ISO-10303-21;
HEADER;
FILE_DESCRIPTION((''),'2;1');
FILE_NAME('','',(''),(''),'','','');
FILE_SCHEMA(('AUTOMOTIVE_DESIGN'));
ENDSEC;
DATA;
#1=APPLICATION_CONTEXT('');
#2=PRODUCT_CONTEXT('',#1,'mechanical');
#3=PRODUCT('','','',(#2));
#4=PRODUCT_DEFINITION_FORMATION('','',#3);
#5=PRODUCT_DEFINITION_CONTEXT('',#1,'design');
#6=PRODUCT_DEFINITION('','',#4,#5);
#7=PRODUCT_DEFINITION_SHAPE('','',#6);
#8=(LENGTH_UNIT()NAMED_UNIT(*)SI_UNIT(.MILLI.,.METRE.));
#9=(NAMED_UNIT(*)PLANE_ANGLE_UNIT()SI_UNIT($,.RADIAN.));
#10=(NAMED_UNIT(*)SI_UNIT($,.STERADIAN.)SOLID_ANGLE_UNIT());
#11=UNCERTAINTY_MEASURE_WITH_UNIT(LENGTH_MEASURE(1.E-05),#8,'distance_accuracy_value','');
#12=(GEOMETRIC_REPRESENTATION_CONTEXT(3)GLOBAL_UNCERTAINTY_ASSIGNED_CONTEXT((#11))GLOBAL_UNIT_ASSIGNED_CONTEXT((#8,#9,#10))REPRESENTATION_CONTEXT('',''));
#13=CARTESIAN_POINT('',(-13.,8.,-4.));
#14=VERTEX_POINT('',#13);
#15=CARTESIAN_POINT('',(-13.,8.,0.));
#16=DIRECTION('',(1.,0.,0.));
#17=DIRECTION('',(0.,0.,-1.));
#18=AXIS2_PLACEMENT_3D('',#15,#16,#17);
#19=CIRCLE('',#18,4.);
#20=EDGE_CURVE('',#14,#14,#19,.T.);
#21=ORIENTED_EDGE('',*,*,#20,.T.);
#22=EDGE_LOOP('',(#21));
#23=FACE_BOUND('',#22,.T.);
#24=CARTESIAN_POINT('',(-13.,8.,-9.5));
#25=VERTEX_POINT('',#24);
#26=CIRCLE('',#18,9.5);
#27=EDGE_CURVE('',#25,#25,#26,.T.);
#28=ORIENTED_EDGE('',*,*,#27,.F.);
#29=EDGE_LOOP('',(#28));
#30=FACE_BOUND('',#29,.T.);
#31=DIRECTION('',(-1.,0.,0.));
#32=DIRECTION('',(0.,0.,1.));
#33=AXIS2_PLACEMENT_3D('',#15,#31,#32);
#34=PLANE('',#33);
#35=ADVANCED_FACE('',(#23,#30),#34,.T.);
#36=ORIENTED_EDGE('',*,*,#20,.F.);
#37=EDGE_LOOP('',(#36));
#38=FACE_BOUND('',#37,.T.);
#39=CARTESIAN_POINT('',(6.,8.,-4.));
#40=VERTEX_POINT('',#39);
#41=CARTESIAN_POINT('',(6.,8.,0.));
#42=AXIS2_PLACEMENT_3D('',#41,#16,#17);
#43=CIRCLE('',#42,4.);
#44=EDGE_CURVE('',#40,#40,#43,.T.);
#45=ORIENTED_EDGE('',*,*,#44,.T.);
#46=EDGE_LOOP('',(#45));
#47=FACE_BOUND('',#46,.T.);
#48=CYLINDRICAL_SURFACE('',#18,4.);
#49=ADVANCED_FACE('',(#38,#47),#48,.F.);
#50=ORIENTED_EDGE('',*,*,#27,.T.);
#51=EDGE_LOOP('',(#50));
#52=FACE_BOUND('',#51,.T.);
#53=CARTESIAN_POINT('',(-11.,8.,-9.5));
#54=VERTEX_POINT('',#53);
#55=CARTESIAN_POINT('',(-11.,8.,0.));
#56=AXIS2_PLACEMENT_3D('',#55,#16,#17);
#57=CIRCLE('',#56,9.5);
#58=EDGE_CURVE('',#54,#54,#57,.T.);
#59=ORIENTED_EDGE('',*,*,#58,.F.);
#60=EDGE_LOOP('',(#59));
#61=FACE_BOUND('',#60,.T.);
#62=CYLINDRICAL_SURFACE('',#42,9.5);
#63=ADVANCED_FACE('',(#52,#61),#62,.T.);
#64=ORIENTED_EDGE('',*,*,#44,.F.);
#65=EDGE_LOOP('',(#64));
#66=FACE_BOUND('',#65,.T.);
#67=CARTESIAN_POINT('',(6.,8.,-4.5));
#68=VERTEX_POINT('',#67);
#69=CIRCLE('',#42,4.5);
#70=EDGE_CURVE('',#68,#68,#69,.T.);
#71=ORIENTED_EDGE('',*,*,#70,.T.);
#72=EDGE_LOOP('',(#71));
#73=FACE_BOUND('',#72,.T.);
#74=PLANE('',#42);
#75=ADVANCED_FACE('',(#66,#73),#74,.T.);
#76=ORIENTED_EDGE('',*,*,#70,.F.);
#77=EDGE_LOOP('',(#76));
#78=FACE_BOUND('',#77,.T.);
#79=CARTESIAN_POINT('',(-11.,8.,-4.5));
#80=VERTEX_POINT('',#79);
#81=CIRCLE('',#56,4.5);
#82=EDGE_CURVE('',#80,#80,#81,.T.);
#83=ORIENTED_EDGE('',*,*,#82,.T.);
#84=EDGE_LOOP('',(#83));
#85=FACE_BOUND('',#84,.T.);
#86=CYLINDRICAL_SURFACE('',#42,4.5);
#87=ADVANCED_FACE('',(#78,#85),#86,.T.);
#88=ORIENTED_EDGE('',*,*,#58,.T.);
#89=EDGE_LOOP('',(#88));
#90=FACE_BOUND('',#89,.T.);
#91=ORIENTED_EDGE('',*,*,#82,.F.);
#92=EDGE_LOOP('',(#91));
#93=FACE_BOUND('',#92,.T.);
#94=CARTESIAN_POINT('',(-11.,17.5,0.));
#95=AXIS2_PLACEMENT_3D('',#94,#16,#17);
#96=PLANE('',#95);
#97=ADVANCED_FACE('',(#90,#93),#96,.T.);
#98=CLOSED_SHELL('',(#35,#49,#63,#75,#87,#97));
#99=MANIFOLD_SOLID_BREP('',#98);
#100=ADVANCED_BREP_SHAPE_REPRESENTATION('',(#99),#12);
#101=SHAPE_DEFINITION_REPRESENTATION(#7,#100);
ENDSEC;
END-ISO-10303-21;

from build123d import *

# Parameters (mm, degrees)
SKETCH5_R          = 4
CUT_EXTRUDE2_DEPTH = 28.522717889


with BuildPart() as part:
    # Sketch3 → Revolve2 (revolve)
    with BuildSketch(Plane.XY, mode=Mode.PRIVATE) as revolve2_sk:
        Polygon((6, 8), (-11, 8), (-13, 8), (-13, 17.5), (-11, 17.5), (-11, 12.5), (6, 12.5), align=None)
    revolve(revolve2_sk.sketch.rotate(Axis((6, 8, 0), (-1, 0, 0)), 90), axis=Axis((6, 8, 0), (-1, 0, 0)))

    # Sketch5 → Cut-Extrude2 (cut, through all)
    with BuildSketch(Plane(origin=(6, 0, 0), x_dir=(0, 0, -1), z_dir=(1, 0, 0))):
        with Locations((0, 8)):
            Circle(SKETCH5_R)
    extrude(amount=-CUT_EXTRUDE2_DEPTH, mode=Mode.SUBTRACT)


solid = part.part
